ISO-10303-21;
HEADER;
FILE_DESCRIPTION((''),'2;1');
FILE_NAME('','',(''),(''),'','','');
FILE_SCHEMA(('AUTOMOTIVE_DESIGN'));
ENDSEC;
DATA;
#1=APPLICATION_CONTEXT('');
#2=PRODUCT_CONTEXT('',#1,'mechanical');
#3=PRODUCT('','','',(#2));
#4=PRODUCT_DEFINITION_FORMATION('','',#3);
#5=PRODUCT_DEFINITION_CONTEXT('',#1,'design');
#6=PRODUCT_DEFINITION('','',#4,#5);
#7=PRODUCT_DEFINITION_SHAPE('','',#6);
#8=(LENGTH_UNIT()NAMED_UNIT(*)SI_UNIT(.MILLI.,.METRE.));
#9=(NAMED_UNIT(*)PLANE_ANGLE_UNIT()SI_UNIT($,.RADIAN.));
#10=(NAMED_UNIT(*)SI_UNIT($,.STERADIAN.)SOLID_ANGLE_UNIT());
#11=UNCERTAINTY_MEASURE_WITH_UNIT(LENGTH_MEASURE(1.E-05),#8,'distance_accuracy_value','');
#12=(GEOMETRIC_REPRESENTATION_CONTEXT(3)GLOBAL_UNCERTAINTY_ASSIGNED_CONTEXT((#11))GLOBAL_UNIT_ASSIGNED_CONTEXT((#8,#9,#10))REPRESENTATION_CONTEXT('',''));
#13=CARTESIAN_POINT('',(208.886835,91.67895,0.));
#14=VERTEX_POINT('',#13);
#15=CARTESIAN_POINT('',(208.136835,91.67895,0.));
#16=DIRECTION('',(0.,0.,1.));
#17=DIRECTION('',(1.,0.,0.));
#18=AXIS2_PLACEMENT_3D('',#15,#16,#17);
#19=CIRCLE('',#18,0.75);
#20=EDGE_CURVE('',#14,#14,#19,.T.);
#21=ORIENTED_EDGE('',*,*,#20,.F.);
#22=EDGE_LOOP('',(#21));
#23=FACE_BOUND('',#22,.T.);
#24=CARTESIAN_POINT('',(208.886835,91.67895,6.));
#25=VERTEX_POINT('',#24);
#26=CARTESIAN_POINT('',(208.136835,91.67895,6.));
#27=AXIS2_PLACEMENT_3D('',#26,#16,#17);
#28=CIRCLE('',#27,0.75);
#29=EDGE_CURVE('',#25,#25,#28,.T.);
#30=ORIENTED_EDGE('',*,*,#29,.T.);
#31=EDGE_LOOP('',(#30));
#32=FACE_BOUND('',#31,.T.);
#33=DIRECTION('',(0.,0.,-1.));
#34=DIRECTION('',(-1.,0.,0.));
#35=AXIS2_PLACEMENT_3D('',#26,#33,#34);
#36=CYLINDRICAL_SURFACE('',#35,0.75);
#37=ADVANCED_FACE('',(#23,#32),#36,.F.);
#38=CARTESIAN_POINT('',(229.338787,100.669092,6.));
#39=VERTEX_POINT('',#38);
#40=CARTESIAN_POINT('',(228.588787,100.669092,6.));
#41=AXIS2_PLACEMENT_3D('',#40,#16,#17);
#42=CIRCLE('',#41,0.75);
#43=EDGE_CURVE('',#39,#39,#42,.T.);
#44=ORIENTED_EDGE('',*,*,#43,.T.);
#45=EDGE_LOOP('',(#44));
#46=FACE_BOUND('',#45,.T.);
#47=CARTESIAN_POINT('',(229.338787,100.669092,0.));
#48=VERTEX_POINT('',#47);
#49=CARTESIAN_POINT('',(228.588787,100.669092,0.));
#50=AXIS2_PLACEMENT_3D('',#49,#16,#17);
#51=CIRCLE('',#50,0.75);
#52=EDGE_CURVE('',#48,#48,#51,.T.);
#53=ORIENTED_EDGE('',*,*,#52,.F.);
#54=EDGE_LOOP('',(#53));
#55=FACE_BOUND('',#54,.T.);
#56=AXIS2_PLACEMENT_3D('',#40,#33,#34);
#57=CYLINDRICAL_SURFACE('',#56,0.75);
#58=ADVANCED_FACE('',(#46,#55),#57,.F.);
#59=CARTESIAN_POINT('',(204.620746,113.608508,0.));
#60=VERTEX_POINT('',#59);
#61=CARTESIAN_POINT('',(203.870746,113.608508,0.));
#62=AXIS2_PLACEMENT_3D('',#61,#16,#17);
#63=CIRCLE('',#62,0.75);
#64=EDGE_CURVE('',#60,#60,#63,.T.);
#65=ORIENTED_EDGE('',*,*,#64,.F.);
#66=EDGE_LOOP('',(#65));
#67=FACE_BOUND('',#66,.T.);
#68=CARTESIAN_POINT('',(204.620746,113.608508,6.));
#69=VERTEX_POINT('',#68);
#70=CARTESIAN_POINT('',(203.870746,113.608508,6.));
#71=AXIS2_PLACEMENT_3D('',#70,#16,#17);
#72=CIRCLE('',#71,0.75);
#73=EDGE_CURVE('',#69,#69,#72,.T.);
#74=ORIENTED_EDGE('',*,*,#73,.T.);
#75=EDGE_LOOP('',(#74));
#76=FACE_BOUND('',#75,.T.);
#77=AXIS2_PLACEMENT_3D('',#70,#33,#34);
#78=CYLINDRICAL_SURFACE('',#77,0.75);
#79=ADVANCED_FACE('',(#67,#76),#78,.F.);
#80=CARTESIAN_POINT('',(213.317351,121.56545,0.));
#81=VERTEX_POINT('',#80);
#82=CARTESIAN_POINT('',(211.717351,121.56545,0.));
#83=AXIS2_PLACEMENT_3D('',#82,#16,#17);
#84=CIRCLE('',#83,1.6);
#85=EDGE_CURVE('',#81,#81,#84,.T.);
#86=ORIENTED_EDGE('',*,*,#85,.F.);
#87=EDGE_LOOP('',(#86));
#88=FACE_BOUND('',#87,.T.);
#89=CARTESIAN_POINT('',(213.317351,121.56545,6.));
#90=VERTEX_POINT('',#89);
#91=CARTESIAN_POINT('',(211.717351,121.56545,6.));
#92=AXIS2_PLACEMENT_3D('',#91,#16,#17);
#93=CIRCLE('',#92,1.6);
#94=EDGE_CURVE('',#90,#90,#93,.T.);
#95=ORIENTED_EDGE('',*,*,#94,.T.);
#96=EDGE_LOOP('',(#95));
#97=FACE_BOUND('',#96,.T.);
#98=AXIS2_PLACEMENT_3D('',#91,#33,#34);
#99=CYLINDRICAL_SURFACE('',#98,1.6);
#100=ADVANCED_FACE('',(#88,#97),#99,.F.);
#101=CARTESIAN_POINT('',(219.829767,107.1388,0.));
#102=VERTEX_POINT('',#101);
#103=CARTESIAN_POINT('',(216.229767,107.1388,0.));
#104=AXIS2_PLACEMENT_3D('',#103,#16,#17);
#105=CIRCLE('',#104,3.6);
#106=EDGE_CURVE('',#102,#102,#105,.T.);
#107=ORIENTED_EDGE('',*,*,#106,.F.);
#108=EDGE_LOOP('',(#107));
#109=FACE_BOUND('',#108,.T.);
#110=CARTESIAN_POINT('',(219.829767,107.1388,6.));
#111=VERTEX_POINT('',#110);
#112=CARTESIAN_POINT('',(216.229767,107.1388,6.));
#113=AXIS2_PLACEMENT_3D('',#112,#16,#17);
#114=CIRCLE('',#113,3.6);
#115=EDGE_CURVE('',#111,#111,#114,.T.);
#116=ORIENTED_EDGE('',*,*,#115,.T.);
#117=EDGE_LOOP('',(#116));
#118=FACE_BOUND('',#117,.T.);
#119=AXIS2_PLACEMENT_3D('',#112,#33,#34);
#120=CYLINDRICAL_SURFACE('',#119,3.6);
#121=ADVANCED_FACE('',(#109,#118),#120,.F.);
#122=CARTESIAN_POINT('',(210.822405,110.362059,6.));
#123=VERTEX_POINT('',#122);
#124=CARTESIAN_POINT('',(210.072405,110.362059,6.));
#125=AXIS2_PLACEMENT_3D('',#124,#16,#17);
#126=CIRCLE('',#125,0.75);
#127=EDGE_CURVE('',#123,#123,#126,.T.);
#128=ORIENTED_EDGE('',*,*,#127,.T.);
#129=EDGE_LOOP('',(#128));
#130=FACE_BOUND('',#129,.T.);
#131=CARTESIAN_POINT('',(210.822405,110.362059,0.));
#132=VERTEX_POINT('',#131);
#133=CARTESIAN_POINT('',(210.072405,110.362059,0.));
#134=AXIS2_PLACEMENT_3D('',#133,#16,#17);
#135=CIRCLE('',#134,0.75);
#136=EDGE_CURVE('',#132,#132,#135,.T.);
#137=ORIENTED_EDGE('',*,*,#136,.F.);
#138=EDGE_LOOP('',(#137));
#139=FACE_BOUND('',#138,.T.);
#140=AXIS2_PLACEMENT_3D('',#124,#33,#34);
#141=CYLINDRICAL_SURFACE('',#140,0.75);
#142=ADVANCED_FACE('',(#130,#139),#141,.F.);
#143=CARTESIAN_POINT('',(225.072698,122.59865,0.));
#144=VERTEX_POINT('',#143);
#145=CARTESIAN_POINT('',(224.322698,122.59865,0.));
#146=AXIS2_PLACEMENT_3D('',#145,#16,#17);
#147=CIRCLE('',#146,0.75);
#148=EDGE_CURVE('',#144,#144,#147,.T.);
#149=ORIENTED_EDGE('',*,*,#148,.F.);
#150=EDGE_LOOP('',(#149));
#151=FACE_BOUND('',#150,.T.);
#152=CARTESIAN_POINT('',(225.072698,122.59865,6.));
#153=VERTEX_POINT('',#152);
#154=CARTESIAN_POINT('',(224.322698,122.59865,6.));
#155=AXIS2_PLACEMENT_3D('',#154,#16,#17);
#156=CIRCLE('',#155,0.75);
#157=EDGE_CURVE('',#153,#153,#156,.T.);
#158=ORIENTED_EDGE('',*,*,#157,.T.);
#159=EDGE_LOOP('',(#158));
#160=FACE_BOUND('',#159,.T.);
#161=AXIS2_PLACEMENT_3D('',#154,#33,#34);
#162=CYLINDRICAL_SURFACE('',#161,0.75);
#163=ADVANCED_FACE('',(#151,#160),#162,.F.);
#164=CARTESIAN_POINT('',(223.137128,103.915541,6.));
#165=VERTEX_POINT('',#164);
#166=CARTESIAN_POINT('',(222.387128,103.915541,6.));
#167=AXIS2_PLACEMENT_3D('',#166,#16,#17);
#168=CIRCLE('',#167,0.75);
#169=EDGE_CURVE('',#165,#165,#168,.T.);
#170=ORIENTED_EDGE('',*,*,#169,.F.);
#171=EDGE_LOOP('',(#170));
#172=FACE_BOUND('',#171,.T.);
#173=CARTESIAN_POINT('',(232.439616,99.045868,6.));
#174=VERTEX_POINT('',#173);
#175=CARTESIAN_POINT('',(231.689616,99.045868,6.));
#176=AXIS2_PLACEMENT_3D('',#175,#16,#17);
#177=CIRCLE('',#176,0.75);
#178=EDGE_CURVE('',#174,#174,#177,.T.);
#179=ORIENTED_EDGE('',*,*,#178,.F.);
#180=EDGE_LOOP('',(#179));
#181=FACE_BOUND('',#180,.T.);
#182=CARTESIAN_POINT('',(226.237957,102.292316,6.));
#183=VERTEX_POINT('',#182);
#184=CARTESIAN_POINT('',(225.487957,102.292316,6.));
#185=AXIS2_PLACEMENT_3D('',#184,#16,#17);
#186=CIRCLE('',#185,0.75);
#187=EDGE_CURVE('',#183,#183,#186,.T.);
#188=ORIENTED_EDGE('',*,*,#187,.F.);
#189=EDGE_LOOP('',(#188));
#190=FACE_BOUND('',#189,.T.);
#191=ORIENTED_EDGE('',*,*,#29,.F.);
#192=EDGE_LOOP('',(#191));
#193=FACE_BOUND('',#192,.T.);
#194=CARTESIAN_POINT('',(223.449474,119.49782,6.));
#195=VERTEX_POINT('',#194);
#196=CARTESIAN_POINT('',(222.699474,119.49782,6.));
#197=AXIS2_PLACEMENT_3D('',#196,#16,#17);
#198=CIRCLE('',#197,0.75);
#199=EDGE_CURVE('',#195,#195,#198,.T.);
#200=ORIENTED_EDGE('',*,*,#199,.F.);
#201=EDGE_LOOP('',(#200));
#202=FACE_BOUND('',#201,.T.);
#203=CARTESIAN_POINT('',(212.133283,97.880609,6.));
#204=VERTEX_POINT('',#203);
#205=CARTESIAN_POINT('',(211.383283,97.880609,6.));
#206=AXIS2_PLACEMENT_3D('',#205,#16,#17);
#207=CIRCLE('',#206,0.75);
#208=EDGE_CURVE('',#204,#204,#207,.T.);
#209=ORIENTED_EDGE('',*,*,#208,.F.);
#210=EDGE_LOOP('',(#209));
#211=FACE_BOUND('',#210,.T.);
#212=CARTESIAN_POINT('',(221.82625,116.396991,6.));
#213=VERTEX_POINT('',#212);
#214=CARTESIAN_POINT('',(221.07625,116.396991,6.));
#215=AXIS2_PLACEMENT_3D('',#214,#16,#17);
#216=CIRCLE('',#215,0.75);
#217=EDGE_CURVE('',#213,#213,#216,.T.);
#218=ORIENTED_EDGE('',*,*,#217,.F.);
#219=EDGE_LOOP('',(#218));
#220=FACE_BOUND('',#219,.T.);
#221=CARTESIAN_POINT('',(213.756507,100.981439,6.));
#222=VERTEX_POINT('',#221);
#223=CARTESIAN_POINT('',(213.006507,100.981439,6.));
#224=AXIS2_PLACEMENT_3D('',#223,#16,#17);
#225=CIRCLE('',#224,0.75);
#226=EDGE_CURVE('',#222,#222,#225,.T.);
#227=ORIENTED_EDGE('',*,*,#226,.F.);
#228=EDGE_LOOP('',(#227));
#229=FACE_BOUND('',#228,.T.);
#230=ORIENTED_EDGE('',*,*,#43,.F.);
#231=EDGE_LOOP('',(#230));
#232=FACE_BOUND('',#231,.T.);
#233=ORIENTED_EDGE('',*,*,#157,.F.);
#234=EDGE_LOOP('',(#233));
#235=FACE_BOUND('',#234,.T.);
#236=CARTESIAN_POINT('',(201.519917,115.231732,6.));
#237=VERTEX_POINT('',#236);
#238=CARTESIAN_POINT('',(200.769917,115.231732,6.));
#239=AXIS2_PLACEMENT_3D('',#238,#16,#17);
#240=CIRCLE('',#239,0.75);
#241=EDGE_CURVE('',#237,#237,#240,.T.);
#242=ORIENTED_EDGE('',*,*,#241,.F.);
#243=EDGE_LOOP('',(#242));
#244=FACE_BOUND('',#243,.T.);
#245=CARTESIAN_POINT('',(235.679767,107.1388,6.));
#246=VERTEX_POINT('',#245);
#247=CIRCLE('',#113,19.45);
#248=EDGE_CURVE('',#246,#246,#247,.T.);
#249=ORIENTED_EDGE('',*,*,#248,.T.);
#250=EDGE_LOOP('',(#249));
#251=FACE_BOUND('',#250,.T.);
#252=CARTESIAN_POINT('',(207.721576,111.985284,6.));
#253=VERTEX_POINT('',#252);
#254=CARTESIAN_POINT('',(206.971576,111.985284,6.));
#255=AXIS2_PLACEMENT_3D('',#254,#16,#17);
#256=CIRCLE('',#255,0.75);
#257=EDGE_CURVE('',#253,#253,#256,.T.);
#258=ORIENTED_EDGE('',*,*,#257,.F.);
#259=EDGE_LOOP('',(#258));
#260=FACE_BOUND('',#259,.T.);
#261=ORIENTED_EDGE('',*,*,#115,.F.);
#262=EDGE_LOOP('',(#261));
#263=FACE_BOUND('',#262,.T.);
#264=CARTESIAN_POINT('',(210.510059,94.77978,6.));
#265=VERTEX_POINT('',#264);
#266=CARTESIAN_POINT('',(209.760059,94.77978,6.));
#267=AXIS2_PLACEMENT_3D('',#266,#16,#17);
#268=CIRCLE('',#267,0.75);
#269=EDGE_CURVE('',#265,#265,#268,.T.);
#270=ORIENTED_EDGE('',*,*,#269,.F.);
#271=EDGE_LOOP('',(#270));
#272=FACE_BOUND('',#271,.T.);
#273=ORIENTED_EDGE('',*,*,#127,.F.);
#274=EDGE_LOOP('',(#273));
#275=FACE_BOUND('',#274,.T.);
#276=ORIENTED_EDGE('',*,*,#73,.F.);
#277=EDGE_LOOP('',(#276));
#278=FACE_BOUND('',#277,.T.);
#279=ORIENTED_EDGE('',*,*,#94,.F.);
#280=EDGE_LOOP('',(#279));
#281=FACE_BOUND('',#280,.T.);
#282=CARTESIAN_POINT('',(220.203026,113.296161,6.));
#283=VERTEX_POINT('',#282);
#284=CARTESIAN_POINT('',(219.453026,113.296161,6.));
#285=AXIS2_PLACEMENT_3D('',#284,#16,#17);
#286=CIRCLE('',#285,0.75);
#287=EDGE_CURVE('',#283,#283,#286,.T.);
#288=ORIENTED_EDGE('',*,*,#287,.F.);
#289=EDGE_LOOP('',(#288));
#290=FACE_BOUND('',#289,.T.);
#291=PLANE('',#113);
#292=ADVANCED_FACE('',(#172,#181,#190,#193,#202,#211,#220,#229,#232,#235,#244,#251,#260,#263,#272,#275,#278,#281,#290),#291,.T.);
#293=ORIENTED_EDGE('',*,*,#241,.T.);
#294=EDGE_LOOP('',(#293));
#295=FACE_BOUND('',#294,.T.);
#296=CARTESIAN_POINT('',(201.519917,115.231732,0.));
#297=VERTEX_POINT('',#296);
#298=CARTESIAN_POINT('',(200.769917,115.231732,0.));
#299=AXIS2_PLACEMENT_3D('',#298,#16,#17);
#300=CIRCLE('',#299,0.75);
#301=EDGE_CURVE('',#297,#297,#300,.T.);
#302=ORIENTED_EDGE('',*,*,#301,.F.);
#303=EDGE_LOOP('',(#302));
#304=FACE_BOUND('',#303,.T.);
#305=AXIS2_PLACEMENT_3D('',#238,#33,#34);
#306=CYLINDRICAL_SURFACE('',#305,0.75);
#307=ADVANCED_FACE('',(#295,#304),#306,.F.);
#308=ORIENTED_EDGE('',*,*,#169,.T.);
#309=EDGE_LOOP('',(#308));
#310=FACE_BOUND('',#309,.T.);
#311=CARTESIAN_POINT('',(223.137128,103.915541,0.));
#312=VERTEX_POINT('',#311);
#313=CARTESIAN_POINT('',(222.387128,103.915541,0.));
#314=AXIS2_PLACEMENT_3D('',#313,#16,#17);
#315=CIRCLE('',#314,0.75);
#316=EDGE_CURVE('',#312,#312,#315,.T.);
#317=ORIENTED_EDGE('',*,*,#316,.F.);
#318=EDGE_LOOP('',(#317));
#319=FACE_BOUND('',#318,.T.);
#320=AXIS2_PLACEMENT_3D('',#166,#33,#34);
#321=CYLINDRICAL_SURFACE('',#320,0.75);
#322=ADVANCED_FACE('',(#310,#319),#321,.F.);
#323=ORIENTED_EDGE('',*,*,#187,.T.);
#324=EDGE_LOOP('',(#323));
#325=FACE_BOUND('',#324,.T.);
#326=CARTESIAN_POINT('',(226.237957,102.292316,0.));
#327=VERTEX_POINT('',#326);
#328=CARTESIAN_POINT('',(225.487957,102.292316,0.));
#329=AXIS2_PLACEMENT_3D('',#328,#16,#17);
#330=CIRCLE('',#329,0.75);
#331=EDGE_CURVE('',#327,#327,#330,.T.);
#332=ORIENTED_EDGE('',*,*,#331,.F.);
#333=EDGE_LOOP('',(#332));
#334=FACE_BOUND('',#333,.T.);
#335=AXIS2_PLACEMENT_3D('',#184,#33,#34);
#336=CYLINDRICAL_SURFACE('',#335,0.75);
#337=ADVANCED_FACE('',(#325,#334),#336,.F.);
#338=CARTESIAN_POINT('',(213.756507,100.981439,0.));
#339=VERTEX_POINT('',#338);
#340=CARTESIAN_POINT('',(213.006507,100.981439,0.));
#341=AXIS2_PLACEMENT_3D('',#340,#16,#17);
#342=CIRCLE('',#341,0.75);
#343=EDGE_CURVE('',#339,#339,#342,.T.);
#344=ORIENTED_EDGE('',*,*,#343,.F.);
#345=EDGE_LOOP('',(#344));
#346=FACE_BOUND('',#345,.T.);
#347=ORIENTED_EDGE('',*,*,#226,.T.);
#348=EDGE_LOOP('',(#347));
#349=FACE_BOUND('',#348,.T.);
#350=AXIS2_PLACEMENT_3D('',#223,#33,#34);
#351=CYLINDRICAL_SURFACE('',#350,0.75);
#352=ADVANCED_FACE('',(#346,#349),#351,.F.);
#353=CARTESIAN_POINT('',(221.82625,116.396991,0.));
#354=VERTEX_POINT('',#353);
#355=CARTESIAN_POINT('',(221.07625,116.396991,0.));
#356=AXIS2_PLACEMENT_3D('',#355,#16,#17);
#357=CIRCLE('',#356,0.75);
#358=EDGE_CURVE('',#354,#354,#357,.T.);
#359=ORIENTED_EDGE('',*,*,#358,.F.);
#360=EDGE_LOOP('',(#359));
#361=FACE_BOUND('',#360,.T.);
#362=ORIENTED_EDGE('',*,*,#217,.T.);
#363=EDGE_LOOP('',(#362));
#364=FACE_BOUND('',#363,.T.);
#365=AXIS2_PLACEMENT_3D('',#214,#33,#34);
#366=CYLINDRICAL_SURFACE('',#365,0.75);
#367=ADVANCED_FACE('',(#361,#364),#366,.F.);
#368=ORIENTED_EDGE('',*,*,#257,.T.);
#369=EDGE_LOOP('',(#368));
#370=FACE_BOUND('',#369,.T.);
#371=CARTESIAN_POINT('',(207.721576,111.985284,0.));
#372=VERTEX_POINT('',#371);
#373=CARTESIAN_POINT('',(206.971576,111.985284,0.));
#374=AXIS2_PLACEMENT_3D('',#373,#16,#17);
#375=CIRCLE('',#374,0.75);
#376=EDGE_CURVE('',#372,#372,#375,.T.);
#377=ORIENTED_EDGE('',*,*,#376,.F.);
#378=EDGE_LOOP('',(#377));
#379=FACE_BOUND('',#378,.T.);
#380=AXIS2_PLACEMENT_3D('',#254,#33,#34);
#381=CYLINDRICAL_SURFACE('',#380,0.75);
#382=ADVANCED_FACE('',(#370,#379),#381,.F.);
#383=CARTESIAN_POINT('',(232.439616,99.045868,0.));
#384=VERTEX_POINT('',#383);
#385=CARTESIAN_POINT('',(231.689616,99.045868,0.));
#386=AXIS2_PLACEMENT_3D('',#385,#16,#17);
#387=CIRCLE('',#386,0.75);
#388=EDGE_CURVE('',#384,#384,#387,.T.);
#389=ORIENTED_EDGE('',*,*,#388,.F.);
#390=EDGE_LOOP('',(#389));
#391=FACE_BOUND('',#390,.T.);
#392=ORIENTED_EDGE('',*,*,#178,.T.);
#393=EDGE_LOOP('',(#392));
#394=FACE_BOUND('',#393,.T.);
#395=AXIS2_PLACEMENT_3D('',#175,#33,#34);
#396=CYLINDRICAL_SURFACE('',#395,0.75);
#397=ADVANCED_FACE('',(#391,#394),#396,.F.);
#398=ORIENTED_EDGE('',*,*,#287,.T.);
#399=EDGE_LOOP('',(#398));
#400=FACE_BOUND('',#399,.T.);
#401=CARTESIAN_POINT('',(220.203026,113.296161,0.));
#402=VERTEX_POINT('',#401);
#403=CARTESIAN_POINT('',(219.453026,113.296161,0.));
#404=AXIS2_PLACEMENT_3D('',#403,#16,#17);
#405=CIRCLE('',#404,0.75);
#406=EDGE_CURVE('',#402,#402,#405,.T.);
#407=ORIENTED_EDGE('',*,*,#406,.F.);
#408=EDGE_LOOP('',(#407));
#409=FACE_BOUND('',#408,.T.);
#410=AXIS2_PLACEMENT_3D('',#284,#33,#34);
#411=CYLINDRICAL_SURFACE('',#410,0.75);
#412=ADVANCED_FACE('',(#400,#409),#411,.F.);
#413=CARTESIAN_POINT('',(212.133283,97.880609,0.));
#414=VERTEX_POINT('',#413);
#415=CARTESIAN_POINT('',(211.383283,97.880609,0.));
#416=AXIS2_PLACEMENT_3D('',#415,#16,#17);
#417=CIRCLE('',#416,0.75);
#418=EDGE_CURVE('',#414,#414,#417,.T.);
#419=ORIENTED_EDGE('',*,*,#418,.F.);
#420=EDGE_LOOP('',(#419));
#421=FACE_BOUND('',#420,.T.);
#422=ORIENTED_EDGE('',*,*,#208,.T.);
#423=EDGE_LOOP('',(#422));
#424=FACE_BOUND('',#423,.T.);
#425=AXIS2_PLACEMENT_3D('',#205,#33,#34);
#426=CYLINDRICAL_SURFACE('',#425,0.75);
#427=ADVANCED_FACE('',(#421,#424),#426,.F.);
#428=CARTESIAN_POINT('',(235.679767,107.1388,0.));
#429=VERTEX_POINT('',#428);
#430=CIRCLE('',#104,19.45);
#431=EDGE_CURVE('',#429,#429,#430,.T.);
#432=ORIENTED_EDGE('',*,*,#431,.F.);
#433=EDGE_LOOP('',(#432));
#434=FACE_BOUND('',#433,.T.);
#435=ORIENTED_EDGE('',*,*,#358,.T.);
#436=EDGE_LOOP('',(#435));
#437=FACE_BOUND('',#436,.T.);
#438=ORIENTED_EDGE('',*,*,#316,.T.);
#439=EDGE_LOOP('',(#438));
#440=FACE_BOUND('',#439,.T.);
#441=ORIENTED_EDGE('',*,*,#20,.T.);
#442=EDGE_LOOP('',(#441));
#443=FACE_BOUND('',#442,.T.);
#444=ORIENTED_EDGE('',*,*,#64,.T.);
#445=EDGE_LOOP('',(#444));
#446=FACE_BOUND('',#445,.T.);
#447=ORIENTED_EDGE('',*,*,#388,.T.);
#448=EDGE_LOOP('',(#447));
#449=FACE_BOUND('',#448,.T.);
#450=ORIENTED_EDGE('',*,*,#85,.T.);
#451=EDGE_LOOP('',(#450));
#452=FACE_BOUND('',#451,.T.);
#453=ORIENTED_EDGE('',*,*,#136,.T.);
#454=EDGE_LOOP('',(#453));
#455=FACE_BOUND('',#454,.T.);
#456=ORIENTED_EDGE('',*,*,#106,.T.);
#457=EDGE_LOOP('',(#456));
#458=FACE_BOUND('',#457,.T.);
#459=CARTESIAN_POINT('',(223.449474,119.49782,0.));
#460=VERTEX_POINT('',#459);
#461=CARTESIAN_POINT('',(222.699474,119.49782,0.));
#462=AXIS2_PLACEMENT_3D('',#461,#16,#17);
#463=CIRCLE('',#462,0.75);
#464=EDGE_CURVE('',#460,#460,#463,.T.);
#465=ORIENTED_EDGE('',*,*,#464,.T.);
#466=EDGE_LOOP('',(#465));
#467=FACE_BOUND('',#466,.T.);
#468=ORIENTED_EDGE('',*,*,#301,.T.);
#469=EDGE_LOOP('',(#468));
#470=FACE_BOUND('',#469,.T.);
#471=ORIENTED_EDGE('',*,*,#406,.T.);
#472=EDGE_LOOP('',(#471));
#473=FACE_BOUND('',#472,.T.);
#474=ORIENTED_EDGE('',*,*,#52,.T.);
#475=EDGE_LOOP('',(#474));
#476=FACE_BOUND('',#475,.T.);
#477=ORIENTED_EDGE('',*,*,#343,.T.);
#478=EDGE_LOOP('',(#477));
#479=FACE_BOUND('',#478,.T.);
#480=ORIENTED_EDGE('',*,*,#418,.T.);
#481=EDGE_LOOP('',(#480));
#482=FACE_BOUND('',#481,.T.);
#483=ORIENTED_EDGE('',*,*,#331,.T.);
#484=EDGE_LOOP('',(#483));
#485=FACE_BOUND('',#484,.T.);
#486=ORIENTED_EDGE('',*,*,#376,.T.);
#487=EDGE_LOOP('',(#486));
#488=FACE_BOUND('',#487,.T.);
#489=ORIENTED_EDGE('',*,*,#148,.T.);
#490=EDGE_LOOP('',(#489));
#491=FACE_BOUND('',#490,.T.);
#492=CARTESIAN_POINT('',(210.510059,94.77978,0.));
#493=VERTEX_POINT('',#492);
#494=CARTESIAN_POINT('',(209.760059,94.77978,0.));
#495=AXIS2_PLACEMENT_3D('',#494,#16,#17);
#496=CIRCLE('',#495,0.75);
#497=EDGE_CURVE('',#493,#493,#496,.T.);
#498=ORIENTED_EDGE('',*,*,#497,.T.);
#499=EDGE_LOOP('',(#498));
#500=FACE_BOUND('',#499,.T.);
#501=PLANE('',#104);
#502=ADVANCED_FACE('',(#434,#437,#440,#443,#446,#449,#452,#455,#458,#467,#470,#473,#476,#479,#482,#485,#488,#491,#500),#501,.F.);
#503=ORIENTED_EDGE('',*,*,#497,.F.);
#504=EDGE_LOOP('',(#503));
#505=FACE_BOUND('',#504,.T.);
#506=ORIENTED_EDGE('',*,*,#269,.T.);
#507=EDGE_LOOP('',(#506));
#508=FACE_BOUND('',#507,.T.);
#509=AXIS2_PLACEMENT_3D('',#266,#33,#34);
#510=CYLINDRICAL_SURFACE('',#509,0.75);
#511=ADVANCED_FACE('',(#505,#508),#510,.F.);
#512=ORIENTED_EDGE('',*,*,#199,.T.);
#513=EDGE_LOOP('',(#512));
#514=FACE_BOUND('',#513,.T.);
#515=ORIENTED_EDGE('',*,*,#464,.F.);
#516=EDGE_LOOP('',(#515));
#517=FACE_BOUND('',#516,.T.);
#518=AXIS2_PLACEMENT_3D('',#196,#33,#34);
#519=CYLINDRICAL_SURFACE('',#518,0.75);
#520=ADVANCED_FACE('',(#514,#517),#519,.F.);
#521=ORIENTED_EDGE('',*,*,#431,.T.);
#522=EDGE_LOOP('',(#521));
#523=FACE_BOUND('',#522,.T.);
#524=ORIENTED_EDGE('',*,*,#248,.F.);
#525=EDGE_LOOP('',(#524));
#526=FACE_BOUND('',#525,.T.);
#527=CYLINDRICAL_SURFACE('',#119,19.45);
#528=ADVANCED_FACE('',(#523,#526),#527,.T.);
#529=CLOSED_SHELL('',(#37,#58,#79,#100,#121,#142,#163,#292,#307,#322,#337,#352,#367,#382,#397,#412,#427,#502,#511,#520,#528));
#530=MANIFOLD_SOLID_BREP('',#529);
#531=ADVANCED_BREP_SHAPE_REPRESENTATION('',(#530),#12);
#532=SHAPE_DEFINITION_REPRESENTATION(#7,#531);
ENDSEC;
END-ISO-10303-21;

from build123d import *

# Parameters (mm, degrees)
SKETCH1_R           = 19.45
SKETCH1_R_2         = 0.75
SKETCH1_R_3         = 3.6
SKETCH1_R_4         = 1.599999975
BOSS_EXTRUDE1_DEPTH = 6


with BuildPart() as part:
    # Sketch1 → Boss-Extrude1 (new body)
    with BuildSketch(Plane.XY):
        with Locations((216.229766611, 107.1388)):
            Circle(SKETCH1_R)
        with Locations((224.322698445, 122.598649751)):
            Circle(SKETCH1_R_2, mode=Mode.SUBTRACT)
        with Locations((222.699474295, 119.497820288)):
            Circle(SKETCH1_R_2, mode=Mode.SUBTRACT)
        with Locations((221.076250145, 116.396990825)):
            Circle(SKETCH1_R_2, mode=Mode.SUBTRACT)
        with Locations((219.453025995, 113.296161362)):
            Circle(SKETCH1_R_2, mode=Mode.SUBTRACT)
        with Locations((231.689616361, 99.045868165)):
            Circle(SKETCH1_R_2, mode=Mode.SUBTRACT)
        with Locations((228.588786898, 100.669092315)):
            Circle(SKETCH1_R_2, mode=Mode.SUBTRACT)
        with Locations((225.487957435, 102.292316466)):
            Circle(SKETCH1_R_2, mode=Mode.SUBTRACT)
        with Locations((222.387127973, 103.915540616)):
            Circle(SKETCH1_R_2, mode=Mode.SUBTRACT)
        with Locations((208.136834776, 91.678950249)):
            Circle(SKETCH1_R_2, mode=Mode.SUBTRACT)
        with Locations((209.760058926, 94.779779712)):
            Circle(SKETCH1_R_2, mode=Mode.SUBTRACT)
        with Locations((211.383283076, 97.880609175)):
            Circle(SKETCH1_R_2, mode=Mode.SUBTRACT)
        with Locations((213.006507226, 100.981438638)):
            Circle(SKETCH1_R_2, mode=Mode.SUBTRACT)
        with Locations((200.76991686, 115.231731835)):
            Circle(SKETCH1_R_2, mode=Mode.SUBTRACT)
        with Locations((203.870746323, 113.608507685)):
            Circle(SKETCH1_R_2, mode=Mode.SUBTRACT)
        with Locations((206.971575786, 111.985283534)):
            Circle(SKETCH1_R_2, mode=Mode.SUBTRACT)
        with Locations((210.072405248, 110.362059384)):
            Circle(SKETCH1_R_2, mode=Mode.SUBTRACT)
        with Locations((216.229766611, 107.1388)):
            Circle(SKETCH1_R_3, mode=Mode.SUBTRACT)
        with Locations((211.717350559, 121.565450451)):
            Circle(SKETCH1_R_4, mode=Mode.SUBTRACT)
    extrude(amount=BOSS_EXTRUDE1_DEPTH)


solid = part.part
